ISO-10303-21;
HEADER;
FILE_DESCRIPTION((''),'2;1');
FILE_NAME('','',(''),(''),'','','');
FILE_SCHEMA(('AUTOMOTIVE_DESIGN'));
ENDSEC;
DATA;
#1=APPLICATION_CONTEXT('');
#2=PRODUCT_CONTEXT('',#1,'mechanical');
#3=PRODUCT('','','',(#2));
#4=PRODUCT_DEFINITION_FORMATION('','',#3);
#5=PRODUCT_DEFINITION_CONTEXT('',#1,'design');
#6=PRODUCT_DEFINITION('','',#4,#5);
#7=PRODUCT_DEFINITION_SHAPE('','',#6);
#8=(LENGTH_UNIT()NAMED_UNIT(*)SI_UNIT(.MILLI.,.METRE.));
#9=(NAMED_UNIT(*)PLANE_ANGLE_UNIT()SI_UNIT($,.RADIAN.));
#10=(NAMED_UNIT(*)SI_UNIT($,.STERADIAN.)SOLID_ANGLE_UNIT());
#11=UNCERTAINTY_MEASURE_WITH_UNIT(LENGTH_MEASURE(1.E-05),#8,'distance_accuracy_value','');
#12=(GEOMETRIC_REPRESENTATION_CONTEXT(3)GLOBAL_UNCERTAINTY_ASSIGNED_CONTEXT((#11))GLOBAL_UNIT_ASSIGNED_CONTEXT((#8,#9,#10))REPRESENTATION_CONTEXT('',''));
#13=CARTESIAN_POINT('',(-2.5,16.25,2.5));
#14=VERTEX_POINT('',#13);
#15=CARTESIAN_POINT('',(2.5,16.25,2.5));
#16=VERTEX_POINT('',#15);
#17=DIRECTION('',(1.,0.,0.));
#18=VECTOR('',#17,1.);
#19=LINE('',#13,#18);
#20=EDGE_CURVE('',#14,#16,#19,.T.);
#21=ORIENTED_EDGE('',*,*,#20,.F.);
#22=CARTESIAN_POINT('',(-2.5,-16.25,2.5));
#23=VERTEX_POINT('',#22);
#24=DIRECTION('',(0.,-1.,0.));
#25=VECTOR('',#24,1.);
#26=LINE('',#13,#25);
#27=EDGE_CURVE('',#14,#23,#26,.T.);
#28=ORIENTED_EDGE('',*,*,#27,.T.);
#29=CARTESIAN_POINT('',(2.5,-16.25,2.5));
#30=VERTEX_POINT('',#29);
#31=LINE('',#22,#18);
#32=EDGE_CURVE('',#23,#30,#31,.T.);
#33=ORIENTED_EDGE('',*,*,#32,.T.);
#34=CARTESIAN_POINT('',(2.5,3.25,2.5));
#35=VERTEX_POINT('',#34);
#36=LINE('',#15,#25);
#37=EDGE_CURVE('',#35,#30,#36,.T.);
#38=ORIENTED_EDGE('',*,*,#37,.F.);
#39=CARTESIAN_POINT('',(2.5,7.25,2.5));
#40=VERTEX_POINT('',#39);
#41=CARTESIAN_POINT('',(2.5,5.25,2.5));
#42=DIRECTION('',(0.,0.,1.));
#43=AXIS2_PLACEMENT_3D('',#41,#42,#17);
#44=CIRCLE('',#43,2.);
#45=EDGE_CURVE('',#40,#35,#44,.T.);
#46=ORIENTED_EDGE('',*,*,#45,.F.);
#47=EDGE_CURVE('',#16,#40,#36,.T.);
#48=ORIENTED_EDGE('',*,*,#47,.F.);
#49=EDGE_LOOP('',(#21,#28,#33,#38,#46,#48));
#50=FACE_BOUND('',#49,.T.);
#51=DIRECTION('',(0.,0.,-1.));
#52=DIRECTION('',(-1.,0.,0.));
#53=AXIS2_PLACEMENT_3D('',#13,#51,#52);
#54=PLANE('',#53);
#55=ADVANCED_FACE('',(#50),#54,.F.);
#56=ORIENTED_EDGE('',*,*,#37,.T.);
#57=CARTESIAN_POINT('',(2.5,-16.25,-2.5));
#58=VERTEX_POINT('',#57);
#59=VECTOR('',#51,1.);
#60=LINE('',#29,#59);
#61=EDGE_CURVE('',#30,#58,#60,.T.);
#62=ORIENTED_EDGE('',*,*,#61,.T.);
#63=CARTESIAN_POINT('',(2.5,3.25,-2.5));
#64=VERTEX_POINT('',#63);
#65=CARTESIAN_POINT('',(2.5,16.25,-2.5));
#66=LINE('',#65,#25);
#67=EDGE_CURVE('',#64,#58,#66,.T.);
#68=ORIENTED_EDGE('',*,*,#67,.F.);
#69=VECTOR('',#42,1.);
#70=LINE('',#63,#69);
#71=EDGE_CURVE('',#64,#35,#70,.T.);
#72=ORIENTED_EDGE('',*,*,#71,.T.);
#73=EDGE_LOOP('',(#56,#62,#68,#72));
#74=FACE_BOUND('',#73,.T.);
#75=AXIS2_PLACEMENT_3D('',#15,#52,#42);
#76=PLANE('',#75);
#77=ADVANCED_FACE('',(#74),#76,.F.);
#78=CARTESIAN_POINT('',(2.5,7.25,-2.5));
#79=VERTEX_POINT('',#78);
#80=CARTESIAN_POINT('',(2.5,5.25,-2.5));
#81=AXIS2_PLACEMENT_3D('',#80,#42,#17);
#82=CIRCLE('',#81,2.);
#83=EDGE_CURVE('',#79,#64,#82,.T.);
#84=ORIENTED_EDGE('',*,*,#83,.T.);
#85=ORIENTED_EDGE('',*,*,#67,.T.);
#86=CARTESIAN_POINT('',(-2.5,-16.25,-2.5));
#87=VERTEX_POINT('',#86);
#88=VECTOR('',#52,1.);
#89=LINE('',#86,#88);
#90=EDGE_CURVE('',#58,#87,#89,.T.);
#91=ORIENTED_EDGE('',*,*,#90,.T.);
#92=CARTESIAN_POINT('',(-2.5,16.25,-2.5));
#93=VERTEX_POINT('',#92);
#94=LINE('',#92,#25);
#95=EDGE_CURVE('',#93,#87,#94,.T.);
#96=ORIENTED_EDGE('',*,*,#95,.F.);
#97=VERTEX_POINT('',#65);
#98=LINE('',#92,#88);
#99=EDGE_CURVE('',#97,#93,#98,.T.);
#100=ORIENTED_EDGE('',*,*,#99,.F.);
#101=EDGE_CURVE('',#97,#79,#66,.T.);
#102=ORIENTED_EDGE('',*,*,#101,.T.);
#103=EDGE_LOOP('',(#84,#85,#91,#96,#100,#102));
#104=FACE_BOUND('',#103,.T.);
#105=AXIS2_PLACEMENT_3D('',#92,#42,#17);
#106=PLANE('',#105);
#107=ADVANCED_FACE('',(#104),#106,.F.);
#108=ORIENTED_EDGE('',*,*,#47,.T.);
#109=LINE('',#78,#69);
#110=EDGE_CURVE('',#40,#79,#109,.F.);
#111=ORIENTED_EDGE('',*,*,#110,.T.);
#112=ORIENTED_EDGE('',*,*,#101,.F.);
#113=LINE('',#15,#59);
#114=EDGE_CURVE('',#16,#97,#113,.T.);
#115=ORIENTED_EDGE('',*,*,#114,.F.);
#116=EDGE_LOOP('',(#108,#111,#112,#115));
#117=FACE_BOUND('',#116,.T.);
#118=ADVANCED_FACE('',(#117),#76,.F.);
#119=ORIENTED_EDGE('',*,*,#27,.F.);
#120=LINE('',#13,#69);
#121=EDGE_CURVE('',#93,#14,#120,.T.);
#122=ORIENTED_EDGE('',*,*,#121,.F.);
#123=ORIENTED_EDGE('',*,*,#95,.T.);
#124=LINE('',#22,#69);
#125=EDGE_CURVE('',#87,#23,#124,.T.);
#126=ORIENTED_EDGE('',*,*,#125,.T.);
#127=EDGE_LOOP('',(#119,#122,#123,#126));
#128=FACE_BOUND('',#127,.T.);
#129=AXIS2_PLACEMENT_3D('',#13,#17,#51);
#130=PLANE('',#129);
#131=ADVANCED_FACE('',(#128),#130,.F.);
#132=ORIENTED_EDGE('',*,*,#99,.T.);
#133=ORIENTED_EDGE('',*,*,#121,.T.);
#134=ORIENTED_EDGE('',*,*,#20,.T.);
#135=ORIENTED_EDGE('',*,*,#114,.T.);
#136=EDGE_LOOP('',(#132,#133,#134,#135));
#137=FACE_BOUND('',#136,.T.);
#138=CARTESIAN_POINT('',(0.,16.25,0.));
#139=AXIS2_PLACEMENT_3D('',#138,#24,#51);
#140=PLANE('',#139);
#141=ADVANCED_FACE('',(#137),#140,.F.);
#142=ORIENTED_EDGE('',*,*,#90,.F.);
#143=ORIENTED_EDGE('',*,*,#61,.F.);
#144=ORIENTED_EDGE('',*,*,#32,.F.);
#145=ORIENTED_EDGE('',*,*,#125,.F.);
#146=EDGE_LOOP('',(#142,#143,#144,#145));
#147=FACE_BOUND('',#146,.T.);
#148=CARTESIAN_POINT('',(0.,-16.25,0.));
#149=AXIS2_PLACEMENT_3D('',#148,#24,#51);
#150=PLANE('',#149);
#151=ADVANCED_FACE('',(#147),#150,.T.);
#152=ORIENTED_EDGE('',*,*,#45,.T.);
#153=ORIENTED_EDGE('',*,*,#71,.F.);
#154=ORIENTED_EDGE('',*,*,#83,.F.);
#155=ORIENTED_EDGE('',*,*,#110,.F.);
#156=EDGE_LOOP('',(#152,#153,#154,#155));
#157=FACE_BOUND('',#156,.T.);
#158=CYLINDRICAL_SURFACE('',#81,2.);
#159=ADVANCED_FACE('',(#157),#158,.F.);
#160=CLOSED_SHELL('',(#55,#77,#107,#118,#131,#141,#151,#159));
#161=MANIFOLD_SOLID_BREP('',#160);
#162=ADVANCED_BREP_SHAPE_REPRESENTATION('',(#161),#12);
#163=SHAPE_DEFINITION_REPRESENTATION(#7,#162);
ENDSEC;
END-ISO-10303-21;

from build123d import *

# Parameters (mm, degrees)
CROQUIS1_W              = 5
CROQUIS1_H              = 5
SALIENTE_EXTRUIR1_DEPTH = 16.25
CROQUIS2_R              = 2
CORTAR_EXTRUIR1_DEPTH   = 18.184658856


with BuildPart() as part:
    # Croquis1 → Saliente-Extruir1 (new, symmetric)
    with BuildSketch(Plane(origin=(0, 0, 0), x_dir=(1, 0, 0), z_dir=(0, 1, 0))):
        Rectangle(CROQUIS1_W, CROQUIS1_H)
    extrude(amount=SALIENTE_EXTRUIR1_DEPTH, both=True)

    # Croquis2 → Cortar-Extruir1 (cut, through all)
    with BuildSketch(Plane.XY.offset(2.5)):
        with Locations((2.5, 5.25)):
            Circle(CROQUIS2_R)
    extrude(amount=-CORTAR_EXTRUIR1_DEPTH, mode=Mode.SUBTRACT)


solid = part.part
